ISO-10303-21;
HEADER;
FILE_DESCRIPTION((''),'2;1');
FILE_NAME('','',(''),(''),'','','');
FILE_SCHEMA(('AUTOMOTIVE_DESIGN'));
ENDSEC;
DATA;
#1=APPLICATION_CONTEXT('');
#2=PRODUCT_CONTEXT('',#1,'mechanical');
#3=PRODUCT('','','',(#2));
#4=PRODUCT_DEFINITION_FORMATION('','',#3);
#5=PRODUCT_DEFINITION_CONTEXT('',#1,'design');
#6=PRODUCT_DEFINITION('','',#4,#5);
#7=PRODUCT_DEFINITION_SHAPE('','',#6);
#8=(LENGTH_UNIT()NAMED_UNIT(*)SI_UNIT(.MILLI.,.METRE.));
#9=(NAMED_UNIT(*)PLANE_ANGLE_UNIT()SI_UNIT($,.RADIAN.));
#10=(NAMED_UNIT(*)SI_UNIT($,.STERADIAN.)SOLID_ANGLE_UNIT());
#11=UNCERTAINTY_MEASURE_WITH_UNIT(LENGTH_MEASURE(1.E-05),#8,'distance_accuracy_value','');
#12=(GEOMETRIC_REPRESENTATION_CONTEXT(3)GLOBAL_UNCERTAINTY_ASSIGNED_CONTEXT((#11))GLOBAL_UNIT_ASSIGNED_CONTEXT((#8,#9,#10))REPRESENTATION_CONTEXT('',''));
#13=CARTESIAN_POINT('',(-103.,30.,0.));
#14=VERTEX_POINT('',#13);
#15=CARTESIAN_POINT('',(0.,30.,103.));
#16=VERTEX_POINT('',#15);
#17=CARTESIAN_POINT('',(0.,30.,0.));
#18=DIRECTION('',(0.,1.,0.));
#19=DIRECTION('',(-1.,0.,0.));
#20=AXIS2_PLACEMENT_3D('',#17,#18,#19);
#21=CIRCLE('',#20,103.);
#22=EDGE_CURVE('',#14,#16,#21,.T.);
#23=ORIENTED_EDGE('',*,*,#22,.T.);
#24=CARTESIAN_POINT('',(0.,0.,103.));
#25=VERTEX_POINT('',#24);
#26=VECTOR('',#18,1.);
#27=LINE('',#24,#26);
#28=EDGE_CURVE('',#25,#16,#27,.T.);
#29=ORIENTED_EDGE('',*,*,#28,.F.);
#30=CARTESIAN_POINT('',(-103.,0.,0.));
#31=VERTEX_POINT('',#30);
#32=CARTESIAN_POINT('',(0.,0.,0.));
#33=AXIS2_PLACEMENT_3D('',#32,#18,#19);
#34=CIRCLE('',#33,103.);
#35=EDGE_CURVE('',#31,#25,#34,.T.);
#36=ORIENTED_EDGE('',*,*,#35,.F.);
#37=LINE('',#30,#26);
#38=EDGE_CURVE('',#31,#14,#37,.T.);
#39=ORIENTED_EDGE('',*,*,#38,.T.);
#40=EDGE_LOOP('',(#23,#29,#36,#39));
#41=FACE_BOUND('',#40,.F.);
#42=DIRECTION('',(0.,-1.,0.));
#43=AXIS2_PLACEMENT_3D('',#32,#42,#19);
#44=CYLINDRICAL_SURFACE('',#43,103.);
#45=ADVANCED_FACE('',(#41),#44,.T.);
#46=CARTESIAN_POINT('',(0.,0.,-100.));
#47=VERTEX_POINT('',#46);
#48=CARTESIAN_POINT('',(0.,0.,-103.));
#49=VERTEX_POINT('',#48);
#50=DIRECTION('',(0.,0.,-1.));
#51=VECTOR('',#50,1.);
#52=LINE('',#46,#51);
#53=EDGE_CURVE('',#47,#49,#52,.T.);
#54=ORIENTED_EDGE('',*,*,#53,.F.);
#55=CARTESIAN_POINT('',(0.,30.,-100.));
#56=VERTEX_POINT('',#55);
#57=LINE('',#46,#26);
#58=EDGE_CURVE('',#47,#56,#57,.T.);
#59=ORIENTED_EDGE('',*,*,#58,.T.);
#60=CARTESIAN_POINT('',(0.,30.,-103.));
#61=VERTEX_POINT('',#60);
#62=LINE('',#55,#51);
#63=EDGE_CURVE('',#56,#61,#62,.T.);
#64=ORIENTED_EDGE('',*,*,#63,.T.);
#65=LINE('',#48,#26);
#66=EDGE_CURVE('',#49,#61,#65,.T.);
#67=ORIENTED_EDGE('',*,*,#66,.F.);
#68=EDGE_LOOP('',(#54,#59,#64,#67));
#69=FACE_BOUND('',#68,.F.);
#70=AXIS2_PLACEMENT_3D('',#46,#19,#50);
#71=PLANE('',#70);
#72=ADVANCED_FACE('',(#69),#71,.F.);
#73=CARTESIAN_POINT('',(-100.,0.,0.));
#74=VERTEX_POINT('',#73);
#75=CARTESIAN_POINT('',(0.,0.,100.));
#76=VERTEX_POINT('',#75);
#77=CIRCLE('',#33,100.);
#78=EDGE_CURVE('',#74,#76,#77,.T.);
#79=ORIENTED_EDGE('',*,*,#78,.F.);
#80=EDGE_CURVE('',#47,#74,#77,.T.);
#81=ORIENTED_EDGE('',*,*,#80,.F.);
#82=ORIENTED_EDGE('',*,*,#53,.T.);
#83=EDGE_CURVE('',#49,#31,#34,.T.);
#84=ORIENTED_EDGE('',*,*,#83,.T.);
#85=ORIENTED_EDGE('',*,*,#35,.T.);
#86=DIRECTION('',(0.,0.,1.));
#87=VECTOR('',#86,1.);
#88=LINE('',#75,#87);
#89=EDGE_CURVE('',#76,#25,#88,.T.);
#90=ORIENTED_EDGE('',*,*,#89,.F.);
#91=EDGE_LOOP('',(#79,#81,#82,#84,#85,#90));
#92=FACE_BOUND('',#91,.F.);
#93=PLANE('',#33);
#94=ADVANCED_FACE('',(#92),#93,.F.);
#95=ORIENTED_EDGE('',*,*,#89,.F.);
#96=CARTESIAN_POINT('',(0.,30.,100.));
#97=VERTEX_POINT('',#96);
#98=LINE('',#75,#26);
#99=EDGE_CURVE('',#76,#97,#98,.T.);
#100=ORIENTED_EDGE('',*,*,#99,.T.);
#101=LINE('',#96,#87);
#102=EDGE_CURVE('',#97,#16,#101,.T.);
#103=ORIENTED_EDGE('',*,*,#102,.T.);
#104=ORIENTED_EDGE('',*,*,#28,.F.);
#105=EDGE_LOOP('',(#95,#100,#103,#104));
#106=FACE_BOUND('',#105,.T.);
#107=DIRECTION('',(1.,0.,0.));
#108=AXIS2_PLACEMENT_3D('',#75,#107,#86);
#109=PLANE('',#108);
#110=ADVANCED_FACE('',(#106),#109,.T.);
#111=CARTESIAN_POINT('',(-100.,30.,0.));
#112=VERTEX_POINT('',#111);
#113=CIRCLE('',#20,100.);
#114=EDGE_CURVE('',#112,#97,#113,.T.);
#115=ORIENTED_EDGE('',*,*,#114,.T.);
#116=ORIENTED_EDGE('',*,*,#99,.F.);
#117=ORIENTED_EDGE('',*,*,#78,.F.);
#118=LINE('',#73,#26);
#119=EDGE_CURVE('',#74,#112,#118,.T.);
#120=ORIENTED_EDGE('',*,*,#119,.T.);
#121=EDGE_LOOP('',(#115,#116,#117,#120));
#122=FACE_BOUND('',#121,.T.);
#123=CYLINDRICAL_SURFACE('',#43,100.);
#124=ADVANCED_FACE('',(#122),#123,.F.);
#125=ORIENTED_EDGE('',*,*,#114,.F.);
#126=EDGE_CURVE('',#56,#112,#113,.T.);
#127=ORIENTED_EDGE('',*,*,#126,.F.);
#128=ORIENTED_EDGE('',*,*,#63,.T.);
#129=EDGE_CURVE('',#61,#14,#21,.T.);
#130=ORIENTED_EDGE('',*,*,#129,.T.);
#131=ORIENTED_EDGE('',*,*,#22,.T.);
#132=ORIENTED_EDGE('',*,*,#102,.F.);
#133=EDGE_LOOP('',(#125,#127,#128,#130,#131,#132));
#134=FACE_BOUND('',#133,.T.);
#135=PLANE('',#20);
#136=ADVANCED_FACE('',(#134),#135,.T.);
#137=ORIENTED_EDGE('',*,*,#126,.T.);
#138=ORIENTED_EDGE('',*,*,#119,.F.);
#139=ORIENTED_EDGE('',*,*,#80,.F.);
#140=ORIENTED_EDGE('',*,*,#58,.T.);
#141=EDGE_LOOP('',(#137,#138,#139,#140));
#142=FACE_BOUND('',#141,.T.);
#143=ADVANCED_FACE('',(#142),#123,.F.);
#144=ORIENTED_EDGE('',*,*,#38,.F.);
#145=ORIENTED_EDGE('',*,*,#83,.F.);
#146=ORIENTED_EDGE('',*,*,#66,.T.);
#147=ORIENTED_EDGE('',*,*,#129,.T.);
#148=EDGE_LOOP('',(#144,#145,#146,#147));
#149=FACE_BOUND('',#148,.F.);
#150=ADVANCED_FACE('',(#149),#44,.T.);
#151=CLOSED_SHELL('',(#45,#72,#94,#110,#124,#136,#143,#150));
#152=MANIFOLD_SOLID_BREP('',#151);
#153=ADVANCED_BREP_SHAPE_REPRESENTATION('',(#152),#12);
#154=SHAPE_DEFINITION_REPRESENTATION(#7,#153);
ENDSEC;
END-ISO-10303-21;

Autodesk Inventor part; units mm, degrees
ref_plane "YZ Plane" through (0, 0, 0) normal (1, 0, 0) x (0, 1, 0)
ref_plane "XZ Plane" through (0, 0, 0) normal (0, 1, 0) x (-1, 0, 0)
ref_plane "XY Plane" through (0, 0, 0) normal (0, 0, 1) x (1, 0, 0)
sketch "Sketch1" plane through (0, 0, 0) normal (0, 1, 0) x (-1, 0, 0)
  circle A0 centre (0, 0) radius 100
  circle A1 centre (0, 0) radius 103
  line L0 (0, -100) -> (0, -103)
  line L1 (0, 100) -> (0, 103)
  point P0 (0, 101.5)
  dimension "d0" = 200
  dimension "d1" = 206
extrude "Extrusion1" add sketch "Sketch1" along normal blind 30 contours A0 L1 A1 L0 picked at (101.4211, -8.8323)
properties part number "R10_CM_CIRCULO"
